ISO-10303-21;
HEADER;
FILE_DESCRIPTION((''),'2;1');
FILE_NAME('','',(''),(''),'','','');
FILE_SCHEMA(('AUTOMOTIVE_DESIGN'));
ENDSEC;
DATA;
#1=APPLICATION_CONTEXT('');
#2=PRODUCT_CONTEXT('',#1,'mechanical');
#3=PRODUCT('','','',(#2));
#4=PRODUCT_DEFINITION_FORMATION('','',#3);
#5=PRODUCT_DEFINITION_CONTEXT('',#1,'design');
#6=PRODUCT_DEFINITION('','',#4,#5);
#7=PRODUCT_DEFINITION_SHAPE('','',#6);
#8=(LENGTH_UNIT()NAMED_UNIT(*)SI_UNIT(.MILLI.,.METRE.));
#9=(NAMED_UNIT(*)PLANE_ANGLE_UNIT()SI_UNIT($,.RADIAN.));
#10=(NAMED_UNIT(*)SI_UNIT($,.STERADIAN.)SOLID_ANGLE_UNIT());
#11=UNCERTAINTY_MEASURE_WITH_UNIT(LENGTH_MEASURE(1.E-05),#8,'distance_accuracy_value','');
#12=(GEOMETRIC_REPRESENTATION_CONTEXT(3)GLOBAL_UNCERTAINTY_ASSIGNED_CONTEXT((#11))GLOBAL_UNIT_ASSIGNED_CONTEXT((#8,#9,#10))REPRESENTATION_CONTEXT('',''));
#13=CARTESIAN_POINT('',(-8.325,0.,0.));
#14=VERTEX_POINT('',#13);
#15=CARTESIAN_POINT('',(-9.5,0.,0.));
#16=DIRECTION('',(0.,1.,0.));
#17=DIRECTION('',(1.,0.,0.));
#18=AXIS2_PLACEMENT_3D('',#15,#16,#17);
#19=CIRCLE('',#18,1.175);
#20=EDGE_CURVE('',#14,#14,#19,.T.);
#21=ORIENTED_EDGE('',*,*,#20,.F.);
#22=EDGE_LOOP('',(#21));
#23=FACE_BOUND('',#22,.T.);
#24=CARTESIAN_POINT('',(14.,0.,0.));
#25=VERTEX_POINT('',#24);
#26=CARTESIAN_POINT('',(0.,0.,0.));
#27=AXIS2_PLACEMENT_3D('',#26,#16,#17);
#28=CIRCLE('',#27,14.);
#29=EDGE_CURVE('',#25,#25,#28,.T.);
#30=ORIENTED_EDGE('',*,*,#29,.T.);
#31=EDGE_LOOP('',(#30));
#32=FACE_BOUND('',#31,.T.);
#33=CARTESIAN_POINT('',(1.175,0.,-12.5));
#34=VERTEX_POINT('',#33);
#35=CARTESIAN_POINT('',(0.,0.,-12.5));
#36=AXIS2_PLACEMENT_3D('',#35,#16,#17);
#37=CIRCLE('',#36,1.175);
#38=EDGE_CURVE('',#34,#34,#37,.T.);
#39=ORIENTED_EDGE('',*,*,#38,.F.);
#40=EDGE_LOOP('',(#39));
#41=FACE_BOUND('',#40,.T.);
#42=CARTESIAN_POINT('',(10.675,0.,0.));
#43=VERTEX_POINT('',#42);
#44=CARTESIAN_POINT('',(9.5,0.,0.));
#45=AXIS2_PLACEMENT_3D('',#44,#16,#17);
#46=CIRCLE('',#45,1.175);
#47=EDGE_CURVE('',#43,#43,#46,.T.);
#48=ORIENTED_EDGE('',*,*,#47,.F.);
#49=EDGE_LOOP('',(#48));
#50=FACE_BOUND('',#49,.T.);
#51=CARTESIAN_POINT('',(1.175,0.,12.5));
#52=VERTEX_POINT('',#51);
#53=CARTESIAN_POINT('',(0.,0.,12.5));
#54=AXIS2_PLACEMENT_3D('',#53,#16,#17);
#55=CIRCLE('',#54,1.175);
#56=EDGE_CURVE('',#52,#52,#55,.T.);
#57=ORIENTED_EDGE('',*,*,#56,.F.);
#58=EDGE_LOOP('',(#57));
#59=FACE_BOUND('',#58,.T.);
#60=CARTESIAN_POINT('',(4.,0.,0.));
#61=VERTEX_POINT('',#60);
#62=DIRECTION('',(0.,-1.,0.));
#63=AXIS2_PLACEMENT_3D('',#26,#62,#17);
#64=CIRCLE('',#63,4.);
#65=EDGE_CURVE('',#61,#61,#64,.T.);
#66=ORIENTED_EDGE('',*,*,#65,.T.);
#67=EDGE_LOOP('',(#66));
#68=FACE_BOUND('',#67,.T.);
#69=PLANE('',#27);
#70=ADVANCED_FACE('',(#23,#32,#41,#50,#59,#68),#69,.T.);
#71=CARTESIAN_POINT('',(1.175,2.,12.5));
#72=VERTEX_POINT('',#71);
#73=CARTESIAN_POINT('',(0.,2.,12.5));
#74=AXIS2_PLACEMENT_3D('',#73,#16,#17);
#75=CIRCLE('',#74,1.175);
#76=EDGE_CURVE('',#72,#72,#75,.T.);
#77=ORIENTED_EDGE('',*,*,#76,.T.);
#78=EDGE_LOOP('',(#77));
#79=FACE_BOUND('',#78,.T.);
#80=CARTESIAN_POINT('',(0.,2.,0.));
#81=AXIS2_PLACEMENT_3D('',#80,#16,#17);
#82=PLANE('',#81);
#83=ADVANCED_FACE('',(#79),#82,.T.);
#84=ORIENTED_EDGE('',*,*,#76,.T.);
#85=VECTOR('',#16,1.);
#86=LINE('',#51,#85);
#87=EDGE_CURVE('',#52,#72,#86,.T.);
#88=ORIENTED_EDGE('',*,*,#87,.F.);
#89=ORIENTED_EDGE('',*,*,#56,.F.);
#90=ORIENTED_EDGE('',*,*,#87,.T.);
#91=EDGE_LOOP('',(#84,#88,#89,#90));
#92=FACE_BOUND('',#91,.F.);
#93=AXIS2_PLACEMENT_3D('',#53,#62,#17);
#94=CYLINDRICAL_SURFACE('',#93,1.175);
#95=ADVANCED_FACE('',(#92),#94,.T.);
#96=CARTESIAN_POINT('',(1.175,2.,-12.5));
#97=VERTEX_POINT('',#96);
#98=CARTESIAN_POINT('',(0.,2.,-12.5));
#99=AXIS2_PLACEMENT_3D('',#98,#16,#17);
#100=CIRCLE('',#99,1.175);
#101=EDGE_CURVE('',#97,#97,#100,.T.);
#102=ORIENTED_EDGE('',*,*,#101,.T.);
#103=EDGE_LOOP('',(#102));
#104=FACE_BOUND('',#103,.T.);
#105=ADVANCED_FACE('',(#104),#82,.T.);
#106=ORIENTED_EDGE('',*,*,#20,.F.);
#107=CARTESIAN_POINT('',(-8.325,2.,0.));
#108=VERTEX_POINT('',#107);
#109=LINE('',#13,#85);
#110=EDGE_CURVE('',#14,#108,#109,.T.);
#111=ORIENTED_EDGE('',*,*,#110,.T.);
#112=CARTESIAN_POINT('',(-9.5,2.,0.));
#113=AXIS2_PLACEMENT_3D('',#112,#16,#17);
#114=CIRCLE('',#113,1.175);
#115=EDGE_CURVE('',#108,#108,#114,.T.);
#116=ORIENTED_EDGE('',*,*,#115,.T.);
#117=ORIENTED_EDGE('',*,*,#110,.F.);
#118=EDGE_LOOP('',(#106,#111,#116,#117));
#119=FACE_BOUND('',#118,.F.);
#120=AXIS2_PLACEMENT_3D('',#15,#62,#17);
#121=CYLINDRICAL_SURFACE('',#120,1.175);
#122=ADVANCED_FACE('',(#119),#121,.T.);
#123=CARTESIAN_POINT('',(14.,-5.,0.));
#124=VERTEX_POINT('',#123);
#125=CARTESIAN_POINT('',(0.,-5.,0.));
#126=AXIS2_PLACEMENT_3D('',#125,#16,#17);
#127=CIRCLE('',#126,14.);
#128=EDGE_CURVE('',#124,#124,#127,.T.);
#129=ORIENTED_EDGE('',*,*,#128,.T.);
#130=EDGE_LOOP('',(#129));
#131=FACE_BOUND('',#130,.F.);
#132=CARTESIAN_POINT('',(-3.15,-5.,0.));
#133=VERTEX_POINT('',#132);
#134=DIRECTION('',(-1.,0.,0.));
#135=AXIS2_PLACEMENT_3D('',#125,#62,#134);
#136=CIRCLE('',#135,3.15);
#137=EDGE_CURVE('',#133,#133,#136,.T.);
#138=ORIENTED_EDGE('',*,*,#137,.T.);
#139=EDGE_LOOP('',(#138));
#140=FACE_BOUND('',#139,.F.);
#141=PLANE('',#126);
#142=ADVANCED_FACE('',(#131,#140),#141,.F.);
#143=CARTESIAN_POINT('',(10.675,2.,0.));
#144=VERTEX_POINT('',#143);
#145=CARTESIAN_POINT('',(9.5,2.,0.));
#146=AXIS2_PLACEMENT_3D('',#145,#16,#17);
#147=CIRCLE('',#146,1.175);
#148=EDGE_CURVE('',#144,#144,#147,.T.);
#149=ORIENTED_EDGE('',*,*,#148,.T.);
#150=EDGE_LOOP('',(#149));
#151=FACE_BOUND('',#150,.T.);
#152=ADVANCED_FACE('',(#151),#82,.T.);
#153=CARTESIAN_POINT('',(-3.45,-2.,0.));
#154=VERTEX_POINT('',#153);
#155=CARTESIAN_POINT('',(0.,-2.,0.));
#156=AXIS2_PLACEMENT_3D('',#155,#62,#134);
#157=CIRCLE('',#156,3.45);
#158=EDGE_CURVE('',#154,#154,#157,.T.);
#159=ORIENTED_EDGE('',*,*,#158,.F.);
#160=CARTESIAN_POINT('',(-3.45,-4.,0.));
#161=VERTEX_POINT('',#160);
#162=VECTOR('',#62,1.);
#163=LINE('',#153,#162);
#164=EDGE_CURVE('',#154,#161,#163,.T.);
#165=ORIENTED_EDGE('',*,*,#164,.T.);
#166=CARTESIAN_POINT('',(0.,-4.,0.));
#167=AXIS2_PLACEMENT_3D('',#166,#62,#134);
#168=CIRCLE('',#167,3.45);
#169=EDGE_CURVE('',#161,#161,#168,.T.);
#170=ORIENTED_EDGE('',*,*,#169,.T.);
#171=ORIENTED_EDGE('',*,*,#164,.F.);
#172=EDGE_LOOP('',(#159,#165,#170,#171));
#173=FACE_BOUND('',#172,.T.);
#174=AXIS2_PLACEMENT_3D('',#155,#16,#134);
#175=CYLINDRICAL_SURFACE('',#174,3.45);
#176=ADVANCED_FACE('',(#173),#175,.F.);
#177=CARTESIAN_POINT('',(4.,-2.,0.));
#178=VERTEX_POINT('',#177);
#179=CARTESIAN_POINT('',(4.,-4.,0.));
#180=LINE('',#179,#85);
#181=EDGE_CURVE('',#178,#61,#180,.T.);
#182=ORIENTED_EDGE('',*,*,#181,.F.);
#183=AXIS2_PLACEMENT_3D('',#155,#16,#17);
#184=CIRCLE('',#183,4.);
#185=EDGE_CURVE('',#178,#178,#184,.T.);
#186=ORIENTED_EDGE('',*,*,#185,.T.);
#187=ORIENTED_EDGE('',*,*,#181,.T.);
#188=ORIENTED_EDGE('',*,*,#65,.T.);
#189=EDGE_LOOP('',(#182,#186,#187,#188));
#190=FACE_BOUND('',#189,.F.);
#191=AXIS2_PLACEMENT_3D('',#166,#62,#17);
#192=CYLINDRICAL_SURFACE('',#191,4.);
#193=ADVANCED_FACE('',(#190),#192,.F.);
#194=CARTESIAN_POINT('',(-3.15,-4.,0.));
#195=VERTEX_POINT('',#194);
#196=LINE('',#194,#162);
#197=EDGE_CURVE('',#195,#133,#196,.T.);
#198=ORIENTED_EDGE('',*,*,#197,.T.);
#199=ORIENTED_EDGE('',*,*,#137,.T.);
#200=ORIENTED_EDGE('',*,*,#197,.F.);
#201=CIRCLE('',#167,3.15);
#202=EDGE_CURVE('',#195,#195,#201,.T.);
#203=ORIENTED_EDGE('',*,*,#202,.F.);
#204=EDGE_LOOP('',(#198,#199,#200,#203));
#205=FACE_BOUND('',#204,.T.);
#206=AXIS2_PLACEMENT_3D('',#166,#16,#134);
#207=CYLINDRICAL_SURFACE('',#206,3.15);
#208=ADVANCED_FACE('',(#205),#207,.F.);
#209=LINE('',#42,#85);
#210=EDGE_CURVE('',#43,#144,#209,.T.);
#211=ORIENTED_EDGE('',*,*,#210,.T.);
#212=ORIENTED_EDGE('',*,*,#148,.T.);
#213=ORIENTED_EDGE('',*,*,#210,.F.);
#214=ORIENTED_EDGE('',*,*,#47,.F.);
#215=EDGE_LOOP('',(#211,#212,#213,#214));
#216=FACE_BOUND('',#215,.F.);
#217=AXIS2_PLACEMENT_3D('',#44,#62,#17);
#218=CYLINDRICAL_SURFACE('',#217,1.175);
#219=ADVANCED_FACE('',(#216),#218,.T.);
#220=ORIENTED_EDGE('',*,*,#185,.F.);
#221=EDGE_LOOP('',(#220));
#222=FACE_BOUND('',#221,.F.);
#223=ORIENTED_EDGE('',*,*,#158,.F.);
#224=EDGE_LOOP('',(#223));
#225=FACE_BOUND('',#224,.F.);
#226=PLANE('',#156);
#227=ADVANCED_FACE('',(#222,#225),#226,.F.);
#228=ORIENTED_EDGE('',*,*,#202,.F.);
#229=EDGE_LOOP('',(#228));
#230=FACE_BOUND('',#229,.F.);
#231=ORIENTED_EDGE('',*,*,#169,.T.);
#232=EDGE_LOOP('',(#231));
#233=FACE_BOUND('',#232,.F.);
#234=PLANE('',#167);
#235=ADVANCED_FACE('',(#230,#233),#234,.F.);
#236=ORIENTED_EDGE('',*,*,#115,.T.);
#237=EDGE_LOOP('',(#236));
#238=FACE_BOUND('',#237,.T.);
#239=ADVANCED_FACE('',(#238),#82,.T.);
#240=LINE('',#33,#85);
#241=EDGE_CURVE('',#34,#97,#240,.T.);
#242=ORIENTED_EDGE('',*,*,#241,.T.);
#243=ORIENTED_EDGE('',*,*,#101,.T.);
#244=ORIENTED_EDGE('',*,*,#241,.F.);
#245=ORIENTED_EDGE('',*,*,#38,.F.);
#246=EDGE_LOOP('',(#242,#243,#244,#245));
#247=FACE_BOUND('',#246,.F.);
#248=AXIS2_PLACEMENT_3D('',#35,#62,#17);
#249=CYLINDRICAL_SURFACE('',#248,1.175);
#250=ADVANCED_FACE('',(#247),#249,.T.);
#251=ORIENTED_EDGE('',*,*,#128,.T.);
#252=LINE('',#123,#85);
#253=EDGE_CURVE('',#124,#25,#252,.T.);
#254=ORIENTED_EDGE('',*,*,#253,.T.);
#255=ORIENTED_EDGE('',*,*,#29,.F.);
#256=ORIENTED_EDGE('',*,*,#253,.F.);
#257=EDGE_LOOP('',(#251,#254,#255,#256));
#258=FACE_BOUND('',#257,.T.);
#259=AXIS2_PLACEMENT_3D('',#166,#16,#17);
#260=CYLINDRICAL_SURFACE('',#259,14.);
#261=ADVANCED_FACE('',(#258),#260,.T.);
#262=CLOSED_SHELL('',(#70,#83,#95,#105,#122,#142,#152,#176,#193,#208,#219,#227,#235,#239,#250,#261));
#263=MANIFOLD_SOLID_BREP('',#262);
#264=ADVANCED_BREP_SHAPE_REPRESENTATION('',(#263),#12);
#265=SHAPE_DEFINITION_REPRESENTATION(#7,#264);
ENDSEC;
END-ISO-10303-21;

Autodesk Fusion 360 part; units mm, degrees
sketch "スケッチ1" plane through (0, 0, 0) normal (0, 1, 0) x (1, 0, 0)
  circle A0 centre (0, 0) radius 14
  circle A1 centre (0, 0) radius 9.5 construction
  line L0 (-9.5, 0) -> (9.5, 0) construction
  circle A2 centre (-9.5, 0) radius 1.175
  circle A3 centre (9.5, 0) radius 1.175
  circle A4 centre (0, 0) radius 12.5 construction
  line L1 (0, 12.5) -> (0, -12.5) construction
  circle A5 centre (0, 12.5) radius 1.175
  circle A6 centre (0, -12.5) radius 1.175
  dimension "d1" = 28
  dimension "d2" = 19
  dimension "d3" = 2.35
  dimension "d4" = 2.35
  dimension "d5" = 25
  dimension "d6" = 2.35
  dimension "d7" = 2.35
extrude "押し出し1" add sketch "スケッチ1" along normal blind 2 contours A2 | A3 | A5 | A6 makes body 1 at (-8.3265, 1.3333, 0.0586) makes body 2 at (10.6735, 1.3333, 0.0586) makes body 3 at (1.1735, 1.3333, -12.4414) makes body 4 at (1.1735, 1.3333, 12.5586)
extrude "押し出し2" add sketch "スケッチ1" against normal blind 4 contours A0 | A2 | A3 | A5 | A6 bodies 1 2 3 4
sketch "スケッチ2" plane through (0, -4, 0) normal (0, -1, 0) x (1, 0, 0)
  circle A0 centre (0, 0) radius 14
  circle A1 centre (0, 0) radius 4
  dimension "d12" = 8
extrude "押し出し3" cut sketch "スケッチ2" against normal blind 4 contours A1 bodies 1
ref_plane "作業平面1" through (0, -2, 0) normal (0, -1, 0) x (-1, 0, 0)
sketch "スケッチ3" plane through (0, -2, 0) normal (0, -1, 0) x (-1, 0, 0)
  circle A0 centre (0, 0) radius 4
  circle A1 centre (0, 0) radius 3.45
  dimension "d16" = 8
  dimension "d17" = 6.9
extrude "押し出し4" add sketch "スケッチ3" along normal blind 3 bodies 1
ref_plane "作業平面3" through (0, -4, 0) normal (0, -1, 0) x (-1, 0, 0)
sketch "スケッチ5" plane through (0, -4, 0) normal (0, -1, 0) x (-1, 0, 0)
  circle A0 centre (0, 0) radius 3.45
  circle A1 centre (0, 0) radius 3.15
  dimension "d26" = 6.9
  dimension "d27" = 6.3
extrude "押し出し6" add sketch "スケッチ5" along normal blind 1 bodies 1
extrude "押し出し7" add 1 faces at (10.6145, -4, 0.6955) along direction (0, -1, 0) blind 1 on bodies 1 bodies 1
